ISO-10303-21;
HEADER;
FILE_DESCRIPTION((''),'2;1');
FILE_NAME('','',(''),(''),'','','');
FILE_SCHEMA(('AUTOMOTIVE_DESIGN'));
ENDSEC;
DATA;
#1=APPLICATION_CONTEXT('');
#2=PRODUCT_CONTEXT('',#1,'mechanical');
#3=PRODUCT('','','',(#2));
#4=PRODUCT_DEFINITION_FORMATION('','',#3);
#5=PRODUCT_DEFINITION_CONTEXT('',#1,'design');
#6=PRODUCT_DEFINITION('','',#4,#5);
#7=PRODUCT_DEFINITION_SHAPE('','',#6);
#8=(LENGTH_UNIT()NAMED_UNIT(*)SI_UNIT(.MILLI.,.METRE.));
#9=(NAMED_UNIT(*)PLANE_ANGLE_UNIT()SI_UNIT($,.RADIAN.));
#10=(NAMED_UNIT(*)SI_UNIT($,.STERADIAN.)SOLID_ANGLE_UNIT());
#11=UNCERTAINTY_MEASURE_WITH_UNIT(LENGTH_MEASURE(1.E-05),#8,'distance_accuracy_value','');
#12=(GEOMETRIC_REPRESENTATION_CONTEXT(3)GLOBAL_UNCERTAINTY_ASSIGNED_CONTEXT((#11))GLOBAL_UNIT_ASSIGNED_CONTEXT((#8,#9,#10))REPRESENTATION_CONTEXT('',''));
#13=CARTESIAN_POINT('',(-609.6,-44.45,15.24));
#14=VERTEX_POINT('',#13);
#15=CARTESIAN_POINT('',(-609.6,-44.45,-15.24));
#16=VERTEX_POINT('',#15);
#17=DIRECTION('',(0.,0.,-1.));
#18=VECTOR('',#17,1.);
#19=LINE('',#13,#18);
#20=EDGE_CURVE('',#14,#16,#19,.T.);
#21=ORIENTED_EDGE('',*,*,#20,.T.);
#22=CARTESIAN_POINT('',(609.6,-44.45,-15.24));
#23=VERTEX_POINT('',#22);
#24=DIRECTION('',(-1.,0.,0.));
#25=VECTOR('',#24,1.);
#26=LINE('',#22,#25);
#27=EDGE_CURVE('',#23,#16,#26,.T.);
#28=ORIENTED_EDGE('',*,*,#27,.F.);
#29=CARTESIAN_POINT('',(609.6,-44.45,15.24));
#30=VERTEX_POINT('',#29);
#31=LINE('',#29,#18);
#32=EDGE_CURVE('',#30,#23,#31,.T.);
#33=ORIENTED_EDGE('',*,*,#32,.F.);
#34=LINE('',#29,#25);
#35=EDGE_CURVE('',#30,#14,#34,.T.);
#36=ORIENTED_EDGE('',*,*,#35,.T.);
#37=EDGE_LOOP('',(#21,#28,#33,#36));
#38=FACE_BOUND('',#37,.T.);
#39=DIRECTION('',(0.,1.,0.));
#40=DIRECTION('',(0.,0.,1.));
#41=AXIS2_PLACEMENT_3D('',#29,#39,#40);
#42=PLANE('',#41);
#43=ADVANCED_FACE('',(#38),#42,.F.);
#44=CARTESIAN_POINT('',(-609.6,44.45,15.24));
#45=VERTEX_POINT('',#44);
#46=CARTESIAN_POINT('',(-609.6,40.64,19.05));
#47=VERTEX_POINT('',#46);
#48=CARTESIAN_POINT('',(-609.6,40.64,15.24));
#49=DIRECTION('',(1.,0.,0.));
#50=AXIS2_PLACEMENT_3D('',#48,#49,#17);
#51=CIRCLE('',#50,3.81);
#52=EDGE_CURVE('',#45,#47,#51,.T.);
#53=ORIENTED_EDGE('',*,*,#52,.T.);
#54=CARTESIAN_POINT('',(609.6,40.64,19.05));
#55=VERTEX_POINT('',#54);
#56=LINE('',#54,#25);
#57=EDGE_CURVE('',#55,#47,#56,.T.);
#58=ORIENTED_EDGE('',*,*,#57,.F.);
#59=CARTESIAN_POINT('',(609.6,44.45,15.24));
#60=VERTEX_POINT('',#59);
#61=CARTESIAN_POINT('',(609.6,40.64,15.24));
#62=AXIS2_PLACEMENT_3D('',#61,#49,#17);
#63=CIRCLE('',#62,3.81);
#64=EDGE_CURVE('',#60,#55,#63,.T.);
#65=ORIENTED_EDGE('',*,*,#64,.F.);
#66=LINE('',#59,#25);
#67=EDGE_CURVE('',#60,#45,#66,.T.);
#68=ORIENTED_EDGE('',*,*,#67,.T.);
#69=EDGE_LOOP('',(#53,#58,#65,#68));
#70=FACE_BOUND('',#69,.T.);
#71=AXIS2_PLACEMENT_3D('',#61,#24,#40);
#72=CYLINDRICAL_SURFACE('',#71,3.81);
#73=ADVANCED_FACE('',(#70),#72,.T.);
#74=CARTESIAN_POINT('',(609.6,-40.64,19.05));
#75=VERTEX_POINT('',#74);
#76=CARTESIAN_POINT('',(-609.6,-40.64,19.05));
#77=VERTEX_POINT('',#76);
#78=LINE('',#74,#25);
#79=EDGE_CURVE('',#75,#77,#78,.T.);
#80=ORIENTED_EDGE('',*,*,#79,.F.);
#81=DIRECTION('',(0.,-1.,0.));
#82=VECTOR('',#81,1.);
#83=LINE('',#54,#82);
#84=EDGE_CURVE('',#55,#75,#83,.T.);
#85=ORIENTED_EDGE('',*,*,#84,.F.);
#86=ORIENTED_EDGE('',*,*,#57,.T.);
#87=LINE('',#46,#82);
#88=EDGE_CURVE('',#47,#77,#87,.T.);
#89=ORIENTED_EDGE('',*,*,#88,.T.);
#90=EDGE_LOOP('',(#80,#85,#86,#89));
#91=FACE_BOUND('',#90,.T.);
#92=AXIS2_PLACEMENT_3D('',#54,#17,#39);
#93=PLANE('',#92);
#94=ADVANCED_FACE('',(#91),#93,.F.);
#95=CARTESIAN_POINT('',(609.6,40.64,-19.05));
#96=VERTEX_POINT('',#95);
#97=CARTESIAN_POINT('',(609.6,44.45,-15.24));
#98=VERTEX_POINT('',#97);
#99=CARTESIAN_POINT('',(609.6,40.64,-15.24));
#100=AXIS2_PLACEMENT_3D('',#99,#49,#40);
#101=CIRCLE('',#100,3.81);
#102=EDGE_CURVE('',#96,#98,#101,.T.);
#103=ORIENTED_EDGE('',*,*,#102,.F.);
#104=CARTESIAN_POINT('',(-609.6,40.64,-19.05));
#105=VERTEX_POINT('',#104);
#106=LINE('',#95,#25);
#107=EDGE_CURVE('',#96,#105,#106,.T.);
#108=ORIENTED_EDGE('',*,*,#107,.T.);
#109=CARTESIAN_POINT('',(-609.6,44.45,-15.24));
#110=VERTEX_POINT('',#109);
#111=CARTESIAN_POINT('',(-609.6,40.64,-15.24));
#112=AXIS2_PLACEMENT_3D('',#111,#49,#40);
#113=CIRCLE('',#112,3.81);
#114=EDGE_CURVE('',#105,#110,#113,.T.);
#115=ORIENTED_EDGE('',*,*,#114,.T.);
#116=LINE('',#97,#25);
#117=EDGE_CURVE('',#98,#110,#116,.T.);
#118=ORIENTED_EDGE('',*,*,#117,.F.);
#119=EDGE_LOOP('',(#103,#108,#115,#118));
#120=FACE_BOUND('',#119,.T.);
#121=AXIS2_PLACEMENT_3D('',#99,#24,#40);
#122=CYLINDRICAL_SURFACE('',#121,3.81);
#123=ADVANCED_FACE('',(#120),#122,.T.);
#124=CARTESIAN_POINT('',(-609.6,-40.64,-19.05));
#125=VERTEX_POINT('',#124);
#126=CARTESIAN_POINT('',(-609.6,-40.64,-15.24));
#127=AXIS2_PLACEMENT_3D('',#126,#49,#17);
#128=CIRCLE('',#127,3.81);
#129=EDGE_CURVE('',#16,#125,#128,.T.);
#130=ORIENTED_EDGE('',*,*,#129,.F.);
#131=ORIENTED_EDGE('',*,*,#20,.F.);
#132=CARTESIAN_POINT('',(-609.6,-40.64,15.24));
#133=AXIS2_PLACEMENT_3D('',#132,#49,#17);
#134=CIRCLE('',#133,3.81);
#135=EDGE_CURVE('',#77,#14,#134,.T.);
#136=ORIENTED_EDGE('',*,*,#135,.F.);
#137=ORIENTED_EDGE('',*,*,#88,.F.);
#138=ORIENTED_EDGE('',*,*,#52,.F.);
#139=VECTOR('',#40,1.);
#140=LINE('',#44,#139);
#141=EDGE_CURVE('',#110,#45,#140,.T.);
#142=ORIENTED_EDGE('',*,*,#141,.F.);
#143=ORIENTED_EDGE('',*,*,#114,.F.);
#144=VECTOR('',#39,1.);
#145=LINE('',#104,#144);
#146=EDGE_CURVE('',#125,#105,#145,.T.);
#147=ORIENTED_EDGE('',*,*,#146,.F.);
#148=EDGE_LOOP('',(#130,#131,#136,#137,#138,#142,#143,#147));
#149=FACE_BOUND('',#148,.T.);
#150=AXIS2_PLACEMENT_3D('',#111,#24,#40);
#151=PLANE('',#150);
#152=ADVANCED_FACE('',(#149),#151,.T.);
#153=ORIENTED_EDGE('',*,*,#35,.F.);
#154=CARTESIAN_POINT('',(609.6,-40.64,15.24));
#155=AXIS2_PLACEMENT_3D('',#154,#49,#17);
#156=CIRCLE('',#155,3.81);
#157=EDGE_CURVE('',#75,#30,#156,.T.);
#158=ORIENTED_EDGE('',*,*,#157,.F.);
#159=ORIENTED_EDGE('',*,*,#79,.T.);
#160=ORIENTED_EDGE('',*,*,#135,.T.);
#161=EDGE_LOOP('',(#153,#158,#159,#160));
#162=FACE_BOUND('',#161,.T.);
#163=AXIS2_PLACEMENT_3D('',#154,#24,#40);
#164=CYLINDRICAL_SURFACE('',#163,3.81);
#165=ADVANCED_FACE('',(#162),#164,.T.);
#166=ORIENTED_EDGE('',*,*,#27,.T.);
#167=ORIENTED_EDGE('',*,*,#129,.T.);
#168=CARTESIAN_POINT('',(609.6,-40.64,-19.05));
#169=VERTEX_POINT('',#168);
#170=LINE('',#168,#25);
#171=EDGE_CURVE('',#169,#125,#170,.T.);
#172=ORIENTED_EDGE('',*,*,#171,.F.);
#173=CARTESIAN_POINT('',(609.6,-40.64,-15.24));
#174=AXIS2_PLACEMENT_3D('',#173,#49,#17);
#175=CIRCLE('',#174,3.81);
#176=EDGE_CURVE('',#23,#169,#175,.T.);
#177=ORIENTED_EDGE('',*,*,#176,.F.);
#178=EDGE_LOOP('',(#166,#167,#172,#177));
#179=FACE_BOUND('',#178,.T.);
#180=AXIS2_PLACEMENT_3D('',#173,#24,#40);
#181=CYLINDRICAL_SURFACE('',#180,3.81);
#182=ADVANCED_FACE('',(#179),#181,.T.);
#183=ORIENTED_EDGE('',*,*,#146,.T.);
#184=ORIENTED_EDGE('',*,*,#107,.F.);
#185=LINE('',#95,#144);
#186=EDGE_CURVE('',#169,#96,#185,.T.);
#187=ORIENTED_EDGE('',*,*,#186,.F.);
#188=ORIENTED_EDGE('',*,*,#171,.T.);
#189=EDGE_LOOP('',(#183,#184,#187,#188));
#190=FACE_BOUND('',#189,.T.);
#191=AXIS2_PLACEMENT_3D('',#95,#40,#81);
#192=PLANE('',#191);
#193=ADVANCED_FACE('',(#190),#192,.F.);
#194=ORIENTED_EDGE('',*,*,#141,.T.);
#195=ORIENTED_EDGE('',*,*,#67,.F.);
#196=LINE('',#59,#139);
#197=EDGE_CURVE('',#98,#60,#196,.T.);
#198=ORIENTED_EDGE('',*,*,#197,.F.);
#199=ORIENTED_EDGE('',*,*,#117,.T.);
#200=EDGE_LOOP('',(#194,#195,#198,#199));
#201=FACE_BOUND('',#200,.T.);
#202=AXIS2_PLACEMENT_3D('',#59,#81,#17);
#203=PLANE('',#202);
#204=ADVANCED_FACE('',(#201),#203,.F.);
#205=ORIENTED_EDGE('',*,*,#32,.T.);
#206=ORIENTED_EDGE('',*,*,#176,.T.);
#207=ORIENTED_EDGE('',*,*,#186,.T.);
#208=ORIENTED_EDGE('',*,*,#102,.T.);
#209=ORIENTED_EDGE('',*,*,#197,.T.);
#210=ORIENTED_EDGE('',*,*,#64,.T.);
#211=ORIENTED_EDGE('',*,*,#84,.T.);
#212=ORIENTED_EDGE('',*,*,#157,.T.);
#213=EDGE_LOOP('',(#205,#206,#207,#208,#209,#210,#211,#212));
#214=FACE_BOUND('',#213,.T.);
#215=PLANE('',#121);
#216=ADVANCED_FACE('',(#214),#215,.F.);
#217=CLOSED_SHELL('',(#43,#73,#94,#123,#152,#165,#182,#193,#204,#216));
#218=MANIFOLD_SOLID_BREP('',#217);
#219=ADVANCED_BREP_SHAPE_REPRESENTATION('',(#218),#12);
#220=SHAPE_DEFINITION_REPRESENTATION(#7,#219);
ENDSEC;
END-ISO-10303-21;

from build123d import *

# Parameters (mm, degrees)
BOSS_EXTRUDE1_DEPTH = 609.6


with BuildPart() as part:
    # Sketch1 → Boss-Extrude1 (new, symmetric)
    with BuildSketch(Plane(origin=(0, 0, 0), x_dir=(0, 0, -1), z_dir=(1, 0, 0))):
        with BuildLine():
            Line((-15.24, 44.45), (15.24, 44.45))
            ThreePointArc((15.24, 44.45), (17.934076836, 43.334076836), (19.05, 40.64))
            Line((19.05, 40.64), (19.05, -40.64))
            ThreePointArc((19.05, -40.64), (17.934076836, -43.334076836), (15.24, -44.45))
            Line((15.24, -44.45), (-15.24, -44.45))
            ThreePointArc((-15.24, -44.45), (-17.934076836, -43.334076836), (-19.05, -40.64))
            Line((-19.05, -40.64), (-19.05, 40.64))
            ThreePointArc((-19.05, 40.64), (-17.934076836, 43.334076836), (-15.24, 44.45))
        make_face()
    extrude(amount=BOSS_EXTRUDE1_DEPTH, both=True)


solid = part.part
